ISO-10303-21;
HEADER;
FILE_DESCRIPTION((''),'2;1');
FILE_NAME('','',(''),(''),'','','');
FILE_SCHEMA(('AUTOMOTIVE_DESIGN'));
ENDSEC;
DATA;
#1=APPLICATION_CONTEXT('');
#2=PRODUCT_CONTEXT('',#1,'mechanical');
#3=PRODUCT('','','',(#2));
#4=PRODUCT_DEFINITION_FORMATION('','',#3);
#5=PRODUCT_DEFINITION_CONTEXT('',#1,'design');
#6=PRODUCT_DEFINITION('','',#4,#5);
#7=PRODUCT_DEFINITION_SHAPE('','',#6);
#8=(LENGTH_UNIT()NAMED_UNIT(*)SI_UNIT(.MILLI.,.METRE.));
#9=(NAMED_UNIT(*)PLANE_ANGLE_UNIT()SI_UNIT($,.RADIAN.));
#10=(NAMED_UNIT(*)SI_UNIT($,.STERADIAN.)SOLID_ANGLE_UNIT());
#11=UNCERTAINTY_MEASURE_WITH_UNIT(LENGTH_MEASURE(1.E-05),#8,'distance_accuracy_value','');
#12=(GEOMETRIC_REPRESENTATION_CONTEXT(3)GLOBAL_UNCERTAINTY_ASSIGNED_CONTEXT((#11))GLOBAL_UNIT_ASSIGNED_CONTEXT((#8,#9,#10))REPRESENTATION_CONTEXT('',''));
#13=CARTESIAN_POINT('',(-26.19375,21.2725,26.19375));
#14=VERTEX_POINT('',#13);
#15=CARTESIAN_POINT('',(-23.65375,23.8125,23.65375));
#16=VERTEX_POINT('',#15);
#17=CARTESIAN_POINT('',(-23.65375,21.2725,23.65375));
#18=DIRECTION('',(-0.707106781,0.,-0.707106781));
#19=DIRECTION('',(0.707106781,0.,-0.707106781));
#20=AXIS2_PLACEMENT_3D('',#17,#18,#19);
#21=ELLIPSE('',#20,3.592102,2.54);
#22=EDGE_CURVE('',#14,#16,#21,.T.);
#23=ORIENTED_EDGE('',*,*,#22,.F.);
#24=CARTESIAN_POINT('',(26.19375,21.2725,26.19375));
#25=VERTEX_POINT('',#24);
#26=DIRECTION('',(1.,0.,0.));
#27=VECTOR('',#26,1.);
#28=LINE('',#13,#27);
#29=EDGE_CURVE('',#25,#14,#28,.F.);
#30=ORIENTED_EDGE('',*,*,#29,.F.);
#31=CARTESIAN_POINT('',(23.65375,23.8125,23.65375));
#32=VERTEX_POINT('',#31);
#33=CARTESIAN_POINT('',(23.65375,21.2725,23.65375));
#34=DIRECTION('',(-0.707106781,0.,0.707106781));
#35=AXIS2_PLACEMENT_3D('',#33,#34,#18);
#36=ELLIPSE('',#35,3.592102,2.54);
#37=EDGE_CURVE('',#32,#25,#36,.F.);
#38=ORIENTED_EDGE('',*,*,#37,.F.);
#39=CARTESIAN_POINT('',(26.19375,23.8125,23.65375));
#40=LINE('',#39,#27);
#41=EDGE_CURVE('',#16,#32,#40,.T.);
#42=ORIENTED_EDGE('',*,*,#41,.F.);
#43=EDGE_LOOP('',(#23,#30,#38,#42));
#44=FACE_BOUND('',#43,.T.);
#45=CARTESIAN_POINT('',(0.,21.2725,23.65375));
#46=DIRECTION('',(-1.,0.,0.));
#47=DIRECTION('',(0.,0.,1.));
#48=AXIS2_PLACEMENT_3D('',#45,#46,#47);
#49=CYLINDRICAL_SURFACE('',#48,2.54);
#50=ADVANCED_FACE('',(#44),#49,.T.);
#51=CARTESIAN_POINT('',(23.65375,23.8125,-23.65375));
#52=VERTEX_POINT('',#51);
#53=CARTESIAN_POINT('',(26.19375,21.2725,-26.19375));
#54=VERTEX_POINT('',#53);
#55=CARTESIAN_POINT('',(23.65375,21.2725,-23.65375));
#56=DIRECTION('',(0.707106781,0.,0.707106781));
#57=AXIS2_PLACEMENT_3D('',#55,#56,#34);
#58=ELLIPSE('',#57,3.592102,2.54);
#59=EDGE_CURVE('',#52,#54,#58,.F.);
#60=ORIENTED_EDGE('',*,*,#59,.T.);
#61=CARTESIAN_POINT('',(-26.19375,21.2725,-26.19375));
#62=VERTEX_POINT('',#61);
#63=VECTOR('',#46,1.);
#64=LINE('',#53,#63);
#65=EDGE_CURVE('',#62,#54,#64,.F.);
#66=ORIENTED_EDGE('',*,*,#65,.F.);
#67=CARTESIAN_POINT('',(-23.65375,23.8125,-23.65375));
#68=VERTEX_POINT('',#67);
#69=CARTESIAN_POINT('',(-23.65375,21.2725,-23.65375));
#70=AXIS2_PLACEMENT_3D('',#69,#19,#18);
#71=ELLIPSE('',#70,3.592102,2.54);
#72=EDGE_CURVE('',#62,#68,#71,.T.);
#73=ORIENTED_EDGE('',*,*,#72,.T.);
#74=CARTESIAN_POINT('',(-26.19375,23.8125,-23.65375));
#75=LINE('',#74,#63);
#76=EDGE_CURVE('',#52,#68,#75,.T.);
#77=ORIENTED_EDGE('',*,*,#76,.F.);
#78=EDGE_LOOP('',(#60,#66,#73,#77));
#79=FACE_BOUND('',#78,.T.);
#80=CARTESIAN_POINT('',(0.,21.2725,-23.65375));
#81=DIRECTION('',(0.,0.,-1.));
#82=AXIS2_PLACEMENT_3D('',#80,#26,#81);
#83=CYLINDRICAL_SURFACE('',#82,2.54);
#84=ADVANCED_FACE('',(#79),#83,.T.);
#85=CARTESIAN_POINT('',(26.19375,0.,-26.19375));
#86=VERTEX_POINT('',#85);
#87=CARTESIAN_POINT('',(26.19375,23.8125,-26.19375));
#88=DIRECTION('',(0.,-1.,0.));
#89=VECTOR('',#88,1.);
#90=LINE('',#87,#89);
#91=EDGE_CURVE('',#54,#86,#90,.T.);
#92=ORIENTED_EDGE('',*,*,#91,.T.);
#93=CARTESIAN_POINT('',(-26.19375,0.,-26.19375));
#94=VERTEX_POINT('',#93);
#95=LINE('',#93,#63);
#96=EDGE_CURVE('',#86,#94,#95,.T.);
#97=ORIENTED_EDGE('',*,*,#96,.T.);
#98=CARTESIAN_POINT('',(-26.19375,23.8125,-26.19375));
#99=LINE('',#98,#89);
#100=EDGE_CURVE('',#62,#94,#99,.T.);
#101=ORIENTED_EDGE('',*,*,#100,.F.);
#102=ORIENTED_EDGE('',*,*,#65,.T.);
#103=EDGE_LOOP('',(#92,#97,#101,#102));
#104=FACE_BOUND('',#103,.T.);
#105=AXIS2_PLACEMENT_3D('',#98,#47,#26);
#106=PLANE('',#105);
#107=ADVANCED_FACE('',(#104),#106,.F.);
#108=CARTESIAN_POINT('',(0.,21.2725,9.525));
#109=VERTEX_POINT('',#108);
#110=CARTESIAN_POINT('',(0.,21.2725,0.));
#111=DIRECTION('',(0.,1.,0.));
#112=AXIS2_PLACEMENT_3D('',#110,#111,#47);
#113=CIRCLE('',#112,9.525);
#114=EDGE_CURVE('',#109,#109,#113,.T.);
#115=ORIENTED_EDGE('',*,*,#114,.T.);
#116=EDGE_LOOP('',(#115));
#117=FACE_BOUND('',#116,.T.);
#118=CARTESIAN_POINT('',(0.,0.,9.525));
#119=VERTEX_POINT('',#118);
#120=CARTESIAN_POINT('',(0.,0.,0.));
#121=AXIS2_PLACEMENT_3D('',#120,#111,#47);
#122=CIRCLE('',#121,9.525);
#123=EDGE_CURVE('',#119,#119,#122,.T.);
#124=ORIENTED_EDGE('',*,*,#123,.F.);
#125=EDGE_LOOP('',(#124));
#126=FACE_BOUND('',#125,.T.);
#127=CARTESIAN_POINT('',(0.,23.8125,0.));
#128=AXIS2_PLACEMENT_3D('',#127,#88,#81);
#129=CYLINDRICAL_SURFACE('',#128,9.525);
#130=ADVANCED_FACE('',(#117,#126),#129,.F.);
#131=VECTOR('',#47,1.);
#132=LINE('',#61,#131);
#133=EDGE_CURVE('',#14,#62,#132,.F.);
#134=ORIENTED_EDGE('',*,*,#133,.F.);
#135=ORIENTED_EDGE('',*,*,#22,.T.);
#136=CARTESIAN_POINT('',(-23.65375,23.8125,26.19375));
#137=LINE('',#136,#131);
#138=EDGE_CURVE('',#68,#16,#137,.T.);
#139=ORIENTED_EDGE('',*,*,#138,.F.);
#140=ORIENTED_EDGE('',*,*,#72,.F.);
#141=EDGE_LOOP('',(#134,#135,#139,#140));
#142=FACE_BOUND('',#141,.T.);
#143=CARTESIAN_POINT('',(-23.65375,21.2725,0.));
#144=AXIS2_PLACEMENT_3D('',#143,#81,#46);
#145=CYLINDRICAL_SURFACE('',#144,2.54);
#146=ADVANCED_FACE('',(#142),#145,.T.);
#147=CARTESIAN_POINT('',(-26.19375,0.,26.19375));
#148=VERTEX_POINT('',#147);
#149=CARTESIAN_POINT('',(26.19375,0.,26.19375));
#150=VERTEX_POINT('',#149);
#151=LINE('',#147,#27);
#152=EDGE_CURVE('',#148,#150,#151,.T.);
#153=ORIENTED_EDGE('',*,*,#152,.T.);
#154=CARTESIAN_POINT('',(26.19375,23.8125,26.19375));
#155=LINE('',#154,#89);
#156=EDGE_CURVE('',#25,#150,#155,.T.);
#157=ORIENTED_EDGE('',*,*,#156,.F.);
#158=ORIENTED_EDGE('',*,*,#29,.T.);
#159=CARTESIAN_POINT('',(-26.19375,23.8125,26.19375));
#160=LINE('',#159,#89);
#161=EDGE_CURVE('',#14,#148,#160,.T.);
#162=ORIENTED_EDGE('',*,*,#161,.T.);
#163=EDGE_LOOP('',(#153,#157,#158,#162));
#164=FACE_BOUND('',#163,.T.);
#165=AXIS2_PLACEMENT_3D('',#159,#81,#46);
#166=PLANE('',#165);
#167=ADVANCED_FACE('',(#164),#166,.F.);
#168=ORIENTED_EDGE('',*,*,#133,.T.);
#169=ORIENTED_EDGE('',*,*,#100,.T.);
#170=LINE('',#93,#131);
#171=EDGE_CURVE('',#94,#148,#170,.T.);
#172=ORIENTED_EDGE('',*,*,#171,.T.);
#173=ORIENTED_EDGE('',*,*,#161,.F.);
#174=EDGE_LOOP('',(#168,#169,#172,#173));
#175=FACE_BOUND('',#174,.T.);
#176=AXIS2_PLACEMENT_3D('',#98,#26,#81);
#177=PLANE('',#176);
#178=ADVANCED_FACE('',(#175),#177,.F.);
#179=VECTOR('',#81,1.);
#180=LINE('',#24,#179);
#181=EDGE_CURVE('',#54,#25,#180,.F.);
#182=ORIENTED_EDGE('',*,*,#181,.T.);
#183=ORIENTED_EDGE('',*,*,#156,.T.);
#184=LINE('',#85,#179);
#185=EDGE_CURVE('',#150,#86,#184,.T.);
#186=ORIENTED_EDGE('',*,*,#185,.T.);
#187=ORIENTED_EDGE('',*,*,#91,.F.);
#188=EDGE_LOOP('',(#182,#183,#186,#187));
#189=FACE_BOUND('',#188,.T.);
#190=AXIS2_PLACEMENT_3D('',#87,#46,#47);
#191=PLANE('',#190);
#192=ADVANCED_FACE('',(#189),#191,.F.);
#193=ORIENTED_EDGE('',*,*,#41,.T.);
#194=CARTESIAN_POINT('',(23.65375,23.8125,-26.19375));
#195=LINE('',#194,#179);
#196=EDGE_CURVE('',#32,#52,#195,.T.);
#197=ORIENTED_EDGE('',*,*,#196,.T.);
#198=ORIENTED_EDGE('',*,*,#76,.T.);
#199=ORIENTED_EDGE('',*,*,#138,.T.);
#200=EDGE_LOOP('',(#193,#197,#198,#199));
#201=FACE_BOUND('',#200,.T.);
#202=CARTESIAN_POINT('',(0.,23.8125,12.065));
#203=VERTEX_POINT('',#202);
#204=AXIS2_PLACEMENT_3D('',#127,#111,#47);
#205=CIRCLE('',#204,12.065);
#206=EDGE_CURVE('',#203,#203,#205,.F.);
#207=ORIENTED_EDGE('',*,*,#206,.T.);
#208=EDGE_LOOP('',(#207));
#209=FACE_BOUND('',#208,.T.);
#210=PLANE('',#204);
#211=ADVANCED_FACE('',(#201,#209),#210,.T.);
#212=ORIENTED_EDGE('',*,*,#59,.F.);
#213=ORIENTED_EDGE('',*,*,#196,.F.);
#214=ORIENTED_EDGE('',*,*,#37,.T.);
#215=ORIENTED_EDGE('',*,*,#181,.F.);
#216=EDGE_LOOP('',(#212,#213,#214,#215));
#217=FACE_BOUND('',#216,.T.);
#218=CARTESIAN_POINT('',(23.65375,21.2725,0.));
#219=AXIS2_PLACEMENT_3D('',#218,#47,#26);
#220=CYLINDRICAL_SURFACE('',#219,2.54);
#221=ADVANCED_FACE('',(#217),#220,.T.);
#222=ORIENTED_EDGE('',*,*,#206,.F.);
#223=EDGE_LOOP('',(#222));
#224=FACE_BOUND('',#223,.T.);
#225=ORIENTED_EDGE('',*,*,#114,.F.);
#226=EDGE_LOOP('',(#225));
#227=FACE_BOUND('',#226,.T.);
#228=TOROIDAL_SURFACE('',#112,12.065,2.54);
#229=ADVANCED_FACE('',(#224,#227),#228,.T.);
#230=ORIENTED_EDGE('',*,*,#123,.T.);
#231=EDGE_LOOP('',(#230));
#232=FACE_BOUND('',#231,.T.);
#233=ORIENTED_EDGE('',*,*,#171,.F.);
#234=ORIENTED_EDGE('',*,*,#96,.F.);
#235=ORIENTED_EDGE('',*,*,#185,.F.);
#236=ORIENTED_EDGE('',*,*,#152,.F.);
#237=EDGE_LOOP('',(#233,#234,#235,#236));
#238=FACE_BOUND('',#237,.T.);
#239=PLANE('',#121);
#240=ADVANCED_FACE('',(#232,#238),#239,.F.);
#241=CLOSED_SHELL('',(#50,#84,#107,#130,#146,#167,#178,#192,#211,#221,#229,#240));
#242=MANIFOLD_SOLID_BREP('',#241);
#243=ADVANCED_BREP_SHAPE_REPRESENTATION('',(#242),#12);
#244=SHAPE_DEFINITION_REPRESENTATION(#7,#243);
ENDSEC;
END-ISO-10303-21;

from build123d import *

# Parameters (mm, degrees)
SKETCH1_W           = 52.3875
SKETCH1_H           = 52.3875
SKETCH1_R           = 9.525
BOSS_EXTRUDE1_DEPTH = 23.8125
FILLET1_R           = 2.54


with BuildPart() as part:
    # Sketch1 → Boss-Extrude1 (new body)
    with BuildSketch(Plane(origin=(0, 0, 0), x_dir=(1, 0, 0), z_dir=(0, 1, 0))):
        Rectangle(SKETCH1_W, SKETCH1_H)
        with Locations(Location((0, 0, 0), (0, 0, 270))):
            Circle(SKETCH1_R, mode=Mode.SUBTRACT)
    extrude(amount=BOSS_EXTRUDE1_DEPTH)

    # Fillet1
    fillet1_edges = [part.edges().sort_by_distance(p)[0] for p in [
        (26.19375, 23.8125, 0),
        (0, 23.8125, -9.525),
        (0, 23.8125, -26.19375),
        (-26.19375, 23.8125, 0),
        (0, 23.8125, 26.19375),
    ]]
    fillet(fillet1_edges, radius=FILLET1_R)


solid = part.part
